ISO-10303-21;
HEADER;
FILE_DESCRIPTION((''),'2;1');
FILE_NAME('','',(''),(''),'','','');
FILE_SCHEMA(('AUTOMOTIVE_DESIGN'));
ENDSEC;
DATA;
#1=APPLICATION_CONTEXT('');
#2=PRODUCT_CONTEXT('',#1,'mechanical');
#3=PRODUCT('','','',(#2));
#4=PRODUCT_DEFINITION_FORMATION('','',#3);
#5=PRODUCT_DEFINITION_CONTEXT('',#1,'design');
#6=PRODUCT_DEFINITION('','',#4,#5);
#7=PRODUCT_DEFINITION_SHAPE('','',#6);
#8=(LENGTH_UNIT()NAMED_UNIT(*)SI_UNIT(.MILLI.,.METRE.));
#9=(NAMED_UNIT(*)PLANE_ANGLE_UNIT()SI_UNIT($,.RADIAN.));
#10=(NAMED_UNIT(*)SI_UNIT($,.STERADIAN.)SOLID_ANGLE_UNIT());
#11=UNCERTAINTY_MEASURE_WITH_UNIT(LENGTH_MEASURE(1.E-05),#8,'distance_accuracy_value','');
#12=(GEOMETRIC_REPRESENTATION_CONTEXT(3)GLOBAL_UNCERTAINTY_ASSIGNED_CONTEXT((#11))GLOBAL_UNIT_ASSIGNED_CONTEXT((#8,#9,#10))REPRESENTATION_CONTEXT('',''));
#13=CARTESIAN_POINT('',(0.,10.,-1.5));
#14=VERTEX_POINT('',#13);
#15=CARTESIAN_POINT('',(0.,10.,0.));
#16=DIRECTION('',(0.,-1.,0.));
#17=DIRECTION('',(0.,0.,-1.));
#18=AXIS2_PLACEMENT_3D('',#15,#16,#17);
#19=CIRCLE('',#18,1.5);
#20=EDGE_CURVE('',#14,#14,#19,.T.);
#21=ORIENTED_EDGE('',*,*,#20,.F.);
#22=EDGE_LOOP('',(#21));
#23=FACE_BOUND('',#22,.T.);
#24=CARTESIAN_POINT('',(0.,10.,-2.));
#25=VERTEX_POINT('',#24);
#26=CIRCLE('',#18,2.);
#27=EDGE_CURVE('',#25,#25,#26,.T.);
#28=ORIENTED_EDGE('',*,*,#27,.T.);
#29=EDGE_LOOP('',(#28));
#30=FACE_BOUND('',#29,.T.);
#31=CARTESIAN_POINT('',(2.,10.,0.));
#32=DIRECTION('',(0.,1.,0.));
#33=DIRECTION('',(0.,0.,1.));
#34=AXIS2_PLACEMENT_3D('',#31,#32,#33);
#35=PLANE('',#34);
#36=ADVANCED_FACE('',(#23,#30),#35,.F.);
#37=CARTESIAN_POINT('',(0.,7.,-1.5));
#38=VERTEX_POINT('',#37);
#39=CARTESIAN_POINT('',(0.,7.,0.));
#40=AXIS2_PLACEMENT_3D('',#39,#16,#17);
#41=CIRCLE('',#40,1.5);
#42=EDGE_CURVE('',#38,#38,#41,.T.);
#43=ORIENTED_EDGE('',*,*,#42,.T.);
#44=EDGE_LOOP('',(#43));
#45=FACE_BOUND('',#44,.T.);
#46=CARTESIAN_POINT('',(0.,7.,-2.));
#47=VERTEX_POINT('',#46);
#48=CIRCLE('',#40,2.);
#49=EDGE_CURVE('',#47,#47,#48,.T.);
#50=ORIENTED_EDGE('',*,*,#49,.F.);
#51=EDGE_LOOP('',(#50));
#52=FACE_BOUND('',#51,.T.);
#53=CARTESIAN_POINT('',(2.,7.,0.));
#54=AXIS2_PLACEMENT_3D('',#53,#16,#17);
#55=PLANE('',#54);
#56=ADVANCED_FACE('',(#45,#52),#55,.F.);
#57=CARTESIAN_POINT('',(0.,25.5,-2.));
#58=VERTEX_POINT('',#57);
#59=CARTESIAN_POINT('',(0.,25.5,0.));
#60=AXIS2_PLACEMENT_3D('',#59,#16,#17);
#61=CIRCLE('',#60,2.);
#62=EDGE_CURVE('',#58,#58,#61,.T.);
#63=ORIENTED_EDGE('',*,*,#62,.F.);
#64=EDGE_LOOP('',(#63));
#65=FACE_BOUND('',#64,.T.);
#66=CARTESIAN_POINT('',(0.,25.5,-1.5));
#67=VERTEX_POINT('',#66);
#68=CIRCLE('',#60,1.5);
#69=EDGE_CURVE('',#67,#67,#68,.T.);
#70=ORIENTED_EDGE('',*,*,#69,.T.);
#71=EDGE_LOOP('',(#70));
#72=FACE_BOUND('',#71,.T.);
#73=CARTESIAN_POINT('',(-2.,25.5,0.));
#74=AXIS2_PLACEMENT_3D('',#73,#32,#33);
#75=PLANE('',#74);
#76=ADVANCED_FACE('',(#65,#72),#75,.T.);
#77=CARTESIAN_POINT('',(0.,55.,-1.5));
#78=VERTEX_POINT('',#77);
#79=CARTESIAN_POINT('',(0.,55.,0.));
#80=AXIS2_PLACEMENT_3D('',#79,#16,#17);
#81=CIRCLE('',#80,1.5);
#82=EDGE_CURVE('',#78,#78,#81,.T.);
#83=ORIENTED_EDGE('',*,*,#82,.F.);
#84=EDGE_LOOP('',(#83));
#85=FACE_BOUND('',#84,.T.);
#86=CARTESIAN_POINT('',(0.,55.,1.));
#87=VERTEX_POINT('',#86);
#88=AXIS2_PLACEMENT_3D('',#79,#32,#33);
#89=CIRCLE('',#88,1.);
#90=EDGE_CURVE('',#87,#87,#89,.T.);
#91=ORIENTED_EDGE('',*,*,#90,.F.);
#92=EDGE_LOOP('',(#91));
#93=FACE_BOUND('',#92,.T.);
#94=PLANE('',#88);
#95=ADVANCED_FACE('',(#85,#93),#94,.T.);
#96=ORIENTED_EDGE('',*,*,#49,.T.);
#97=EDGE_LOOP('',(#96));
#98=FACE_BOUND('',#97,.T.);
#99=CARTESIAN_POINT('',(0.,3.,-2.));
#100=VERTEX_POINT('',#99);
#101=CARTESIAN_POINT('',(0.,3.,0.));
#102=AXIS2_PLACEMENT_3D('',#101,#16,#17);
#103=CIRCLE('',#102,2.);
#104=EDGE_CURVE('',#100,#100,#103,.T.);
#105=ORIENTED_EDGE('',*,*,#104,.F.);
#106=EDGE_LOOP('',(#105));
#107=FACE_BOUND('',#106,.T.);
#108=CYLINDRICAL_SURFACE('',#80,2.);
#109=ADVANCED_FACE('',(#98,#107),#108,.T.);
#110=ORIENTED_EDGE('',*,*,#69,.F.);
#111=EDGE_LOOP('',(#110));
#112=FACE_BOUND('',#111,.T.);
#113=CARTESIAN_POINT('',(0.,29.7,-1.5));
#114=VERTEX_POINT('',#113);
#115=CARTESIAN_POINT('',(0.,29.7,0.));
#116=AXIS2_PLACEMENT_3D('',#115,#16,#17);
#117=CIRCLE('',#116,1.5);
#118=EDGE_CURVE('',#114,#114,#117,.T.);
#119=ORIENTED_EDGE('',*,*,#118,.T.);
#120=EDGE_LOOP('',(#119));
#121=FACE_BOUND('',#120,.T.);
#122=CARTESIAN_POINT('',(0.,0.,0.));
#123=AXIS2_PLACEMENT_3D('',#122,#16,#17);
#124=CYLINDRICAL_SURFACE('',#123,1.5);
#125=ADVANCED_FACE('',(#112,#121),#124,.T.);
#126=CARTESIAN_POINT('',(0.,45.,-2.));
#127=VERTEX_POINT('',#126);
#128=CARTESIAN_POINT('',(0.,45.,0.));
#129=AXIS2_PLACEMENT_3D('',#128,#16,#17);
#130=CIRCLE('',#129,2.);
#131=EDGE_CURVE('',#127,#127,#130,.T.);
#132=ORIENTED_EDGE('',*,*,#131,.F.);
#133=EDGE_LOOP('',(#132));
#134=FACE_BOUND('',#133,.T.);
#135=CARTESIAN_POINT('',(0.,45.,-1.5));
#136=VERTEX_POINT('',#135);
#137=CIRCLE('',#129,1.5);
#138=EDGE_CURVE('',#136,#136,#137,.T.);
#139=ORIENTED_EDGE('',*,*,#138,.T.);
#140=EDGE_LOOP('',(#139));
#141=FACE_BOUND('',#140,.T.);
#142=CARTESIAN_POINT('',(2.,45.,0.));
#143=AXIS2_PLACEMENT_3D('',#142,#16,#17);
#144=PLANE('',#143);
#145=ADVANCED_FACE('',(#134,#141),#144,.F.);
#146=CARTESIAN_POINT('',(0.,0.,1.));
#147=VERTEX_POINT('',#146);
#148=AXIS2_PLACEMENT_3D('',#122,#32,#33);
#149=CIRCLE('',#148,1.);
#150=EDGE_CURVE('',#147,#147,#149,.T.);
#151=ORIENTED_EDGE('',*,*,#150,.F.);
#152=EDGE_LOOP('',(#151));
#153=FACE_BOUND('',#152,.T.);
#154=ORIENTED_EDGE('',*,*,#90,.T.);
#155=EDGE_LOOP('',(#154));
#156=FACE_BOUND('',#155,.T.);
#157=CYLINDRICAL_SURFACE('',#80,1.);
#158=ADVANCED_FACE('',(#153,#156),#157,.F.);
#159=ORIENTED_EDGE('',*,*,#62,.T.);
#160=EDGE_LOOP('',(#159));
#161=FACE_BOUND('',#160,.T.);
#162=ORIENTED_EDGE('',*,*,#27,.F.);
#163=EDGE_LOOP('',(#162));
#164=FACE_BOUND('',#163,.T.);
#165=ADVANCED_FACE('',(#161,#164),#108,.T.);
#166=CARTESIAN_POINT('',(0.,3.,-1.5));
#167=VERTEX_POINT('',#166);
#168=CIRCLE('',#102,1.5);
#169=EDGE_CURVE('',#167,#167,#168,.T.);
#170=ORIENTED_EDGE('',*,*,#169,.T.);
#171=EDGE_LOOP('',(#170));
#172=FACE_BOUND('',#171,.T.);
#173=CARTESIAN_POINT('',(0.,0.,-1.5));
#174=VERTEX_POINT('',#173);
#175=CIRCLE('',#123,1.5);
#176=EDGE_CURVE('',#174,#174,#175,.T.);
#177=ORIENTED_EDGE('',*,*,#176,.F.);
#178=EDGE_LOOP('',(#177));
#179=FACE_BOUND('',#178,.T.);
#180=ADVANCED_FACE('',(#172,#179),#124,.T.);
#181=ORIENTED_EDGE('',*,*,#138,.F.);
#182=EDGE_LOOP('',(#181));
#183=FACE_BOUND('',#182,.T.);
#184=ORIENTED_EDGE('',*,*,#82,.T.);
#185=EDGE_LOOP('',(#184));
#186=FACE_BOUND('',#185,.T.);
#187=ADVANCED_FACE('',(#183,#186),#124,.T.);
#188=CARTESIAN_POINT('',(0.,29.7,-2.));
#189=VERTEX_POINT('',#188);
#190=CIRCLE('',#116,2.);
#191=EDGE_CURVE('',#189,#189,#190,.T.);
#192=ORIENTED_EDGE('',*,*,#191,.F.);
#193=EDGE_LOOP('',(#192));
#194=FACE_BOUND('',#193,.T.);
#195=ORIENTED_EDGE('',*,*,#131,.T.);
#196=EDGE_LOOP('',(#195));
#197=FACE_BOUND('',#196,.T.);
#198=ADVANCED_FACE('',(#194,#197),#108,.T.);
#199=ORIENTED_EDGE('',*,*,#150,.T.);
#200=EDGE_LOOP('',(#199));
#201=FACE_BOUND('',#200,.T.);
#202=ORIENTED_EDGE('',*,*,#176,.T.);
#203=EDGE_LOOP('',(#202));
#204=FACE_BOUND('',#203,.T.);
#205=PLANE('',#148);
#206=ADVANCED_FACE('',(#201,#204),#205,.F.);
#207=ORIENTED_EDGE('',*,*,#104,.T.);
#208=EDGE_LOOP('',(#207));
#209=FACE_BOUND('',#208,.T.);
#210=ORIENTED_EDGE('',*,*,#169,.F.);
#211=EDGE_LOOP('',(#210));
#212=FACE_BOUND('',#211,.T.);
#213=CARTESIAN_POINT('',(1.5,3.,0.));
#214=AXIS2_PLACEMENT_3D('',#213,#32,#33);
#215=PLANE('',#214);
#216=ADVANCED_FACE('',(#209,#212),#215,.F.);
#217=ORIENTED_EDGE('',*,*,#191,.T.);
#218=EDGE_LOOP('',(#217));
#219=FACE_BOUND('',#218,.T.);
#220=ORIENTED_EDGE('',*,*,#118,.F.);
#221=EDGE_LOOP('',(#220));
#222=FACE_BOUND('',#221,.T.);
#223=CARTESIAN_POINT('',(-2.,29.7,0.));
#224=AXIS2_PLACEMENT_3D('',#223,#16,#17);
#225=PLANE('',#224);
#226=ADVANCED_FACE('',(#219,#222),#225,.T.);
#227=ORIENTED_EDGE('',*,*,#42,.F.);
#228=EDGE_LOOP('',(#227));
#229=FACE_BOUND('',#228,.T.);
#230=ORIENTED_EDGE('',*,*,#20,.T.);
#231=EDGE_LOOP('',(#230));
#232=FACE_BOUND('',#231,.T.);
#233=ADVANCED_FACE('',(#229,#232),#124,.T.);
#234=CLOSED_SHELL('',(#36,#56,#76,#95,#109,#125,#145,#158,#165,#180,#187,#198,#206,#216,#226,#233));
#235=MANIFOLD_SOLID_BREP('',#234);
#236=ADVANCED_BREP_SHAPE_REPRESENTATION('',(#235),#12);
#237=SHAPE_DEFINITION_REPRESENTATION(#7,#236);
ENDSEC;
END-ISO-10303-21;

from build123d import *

# Parameters (mm, degrees)
SKETCH_1_R      = 2
SKETCH_1_R_2    = 1
EXTRUDE_1_DEPTH = 55
SKETCH_2_W      = 0.5
SKETCH_2_H      = 3
SKETCH_2_H_2    = 10
SKETCH_4_W      = 0.5
SKETCH_4_H      = 4.2


with BuildPart() as part:
    # Эскиз1 → Бобышка-Вытянуть1 (new body)
    with BuildSketch(Plane(origin=(0, 0, 0), x_dir=(1, 0, 0), z_dir=(0, 1, 0))):
        Circle(SKETCH_1_R)
        Circle(SKETCH_1_R_2, mode=Mode.SUBTRACT)
    extrude(amount=EXTRUDE_1_DEPTH)

    # Эскиз2 → Вырез-Повернуть1 (revolve, cut)
    with BuildSketch(Plane.XY):
        with Locations((1.75, 1.5)):
            Rectangle(SKETCH_2_W, SKETCH_2_H)
        with Locations((1.75, 8.5)):
            Rectangle(SKETCH_2_W, SKETCH_2_H)
        with Locations((1.75, 50)):
            Rectangle(SKETCH_2_W, SKETCH_2_H_2)
    revolve(axis=Axis((0, 0, 0), (0, 1, 0)), mode=Mode.SUBTRACT)

    # Эскиз4 → Вырез-Повернуть2 (revolve, cut)
    with BuildSketch(Plane.XY):
        with Locations((-1.75, 27.6)):
            Rectangle(SKETCH_4_W, SKETCH_4_H)
    revolve(axis=Axis((0, 0, 0), (0, 1, 0)), mode=Mode.SUBTRACT)


solid = part.part
